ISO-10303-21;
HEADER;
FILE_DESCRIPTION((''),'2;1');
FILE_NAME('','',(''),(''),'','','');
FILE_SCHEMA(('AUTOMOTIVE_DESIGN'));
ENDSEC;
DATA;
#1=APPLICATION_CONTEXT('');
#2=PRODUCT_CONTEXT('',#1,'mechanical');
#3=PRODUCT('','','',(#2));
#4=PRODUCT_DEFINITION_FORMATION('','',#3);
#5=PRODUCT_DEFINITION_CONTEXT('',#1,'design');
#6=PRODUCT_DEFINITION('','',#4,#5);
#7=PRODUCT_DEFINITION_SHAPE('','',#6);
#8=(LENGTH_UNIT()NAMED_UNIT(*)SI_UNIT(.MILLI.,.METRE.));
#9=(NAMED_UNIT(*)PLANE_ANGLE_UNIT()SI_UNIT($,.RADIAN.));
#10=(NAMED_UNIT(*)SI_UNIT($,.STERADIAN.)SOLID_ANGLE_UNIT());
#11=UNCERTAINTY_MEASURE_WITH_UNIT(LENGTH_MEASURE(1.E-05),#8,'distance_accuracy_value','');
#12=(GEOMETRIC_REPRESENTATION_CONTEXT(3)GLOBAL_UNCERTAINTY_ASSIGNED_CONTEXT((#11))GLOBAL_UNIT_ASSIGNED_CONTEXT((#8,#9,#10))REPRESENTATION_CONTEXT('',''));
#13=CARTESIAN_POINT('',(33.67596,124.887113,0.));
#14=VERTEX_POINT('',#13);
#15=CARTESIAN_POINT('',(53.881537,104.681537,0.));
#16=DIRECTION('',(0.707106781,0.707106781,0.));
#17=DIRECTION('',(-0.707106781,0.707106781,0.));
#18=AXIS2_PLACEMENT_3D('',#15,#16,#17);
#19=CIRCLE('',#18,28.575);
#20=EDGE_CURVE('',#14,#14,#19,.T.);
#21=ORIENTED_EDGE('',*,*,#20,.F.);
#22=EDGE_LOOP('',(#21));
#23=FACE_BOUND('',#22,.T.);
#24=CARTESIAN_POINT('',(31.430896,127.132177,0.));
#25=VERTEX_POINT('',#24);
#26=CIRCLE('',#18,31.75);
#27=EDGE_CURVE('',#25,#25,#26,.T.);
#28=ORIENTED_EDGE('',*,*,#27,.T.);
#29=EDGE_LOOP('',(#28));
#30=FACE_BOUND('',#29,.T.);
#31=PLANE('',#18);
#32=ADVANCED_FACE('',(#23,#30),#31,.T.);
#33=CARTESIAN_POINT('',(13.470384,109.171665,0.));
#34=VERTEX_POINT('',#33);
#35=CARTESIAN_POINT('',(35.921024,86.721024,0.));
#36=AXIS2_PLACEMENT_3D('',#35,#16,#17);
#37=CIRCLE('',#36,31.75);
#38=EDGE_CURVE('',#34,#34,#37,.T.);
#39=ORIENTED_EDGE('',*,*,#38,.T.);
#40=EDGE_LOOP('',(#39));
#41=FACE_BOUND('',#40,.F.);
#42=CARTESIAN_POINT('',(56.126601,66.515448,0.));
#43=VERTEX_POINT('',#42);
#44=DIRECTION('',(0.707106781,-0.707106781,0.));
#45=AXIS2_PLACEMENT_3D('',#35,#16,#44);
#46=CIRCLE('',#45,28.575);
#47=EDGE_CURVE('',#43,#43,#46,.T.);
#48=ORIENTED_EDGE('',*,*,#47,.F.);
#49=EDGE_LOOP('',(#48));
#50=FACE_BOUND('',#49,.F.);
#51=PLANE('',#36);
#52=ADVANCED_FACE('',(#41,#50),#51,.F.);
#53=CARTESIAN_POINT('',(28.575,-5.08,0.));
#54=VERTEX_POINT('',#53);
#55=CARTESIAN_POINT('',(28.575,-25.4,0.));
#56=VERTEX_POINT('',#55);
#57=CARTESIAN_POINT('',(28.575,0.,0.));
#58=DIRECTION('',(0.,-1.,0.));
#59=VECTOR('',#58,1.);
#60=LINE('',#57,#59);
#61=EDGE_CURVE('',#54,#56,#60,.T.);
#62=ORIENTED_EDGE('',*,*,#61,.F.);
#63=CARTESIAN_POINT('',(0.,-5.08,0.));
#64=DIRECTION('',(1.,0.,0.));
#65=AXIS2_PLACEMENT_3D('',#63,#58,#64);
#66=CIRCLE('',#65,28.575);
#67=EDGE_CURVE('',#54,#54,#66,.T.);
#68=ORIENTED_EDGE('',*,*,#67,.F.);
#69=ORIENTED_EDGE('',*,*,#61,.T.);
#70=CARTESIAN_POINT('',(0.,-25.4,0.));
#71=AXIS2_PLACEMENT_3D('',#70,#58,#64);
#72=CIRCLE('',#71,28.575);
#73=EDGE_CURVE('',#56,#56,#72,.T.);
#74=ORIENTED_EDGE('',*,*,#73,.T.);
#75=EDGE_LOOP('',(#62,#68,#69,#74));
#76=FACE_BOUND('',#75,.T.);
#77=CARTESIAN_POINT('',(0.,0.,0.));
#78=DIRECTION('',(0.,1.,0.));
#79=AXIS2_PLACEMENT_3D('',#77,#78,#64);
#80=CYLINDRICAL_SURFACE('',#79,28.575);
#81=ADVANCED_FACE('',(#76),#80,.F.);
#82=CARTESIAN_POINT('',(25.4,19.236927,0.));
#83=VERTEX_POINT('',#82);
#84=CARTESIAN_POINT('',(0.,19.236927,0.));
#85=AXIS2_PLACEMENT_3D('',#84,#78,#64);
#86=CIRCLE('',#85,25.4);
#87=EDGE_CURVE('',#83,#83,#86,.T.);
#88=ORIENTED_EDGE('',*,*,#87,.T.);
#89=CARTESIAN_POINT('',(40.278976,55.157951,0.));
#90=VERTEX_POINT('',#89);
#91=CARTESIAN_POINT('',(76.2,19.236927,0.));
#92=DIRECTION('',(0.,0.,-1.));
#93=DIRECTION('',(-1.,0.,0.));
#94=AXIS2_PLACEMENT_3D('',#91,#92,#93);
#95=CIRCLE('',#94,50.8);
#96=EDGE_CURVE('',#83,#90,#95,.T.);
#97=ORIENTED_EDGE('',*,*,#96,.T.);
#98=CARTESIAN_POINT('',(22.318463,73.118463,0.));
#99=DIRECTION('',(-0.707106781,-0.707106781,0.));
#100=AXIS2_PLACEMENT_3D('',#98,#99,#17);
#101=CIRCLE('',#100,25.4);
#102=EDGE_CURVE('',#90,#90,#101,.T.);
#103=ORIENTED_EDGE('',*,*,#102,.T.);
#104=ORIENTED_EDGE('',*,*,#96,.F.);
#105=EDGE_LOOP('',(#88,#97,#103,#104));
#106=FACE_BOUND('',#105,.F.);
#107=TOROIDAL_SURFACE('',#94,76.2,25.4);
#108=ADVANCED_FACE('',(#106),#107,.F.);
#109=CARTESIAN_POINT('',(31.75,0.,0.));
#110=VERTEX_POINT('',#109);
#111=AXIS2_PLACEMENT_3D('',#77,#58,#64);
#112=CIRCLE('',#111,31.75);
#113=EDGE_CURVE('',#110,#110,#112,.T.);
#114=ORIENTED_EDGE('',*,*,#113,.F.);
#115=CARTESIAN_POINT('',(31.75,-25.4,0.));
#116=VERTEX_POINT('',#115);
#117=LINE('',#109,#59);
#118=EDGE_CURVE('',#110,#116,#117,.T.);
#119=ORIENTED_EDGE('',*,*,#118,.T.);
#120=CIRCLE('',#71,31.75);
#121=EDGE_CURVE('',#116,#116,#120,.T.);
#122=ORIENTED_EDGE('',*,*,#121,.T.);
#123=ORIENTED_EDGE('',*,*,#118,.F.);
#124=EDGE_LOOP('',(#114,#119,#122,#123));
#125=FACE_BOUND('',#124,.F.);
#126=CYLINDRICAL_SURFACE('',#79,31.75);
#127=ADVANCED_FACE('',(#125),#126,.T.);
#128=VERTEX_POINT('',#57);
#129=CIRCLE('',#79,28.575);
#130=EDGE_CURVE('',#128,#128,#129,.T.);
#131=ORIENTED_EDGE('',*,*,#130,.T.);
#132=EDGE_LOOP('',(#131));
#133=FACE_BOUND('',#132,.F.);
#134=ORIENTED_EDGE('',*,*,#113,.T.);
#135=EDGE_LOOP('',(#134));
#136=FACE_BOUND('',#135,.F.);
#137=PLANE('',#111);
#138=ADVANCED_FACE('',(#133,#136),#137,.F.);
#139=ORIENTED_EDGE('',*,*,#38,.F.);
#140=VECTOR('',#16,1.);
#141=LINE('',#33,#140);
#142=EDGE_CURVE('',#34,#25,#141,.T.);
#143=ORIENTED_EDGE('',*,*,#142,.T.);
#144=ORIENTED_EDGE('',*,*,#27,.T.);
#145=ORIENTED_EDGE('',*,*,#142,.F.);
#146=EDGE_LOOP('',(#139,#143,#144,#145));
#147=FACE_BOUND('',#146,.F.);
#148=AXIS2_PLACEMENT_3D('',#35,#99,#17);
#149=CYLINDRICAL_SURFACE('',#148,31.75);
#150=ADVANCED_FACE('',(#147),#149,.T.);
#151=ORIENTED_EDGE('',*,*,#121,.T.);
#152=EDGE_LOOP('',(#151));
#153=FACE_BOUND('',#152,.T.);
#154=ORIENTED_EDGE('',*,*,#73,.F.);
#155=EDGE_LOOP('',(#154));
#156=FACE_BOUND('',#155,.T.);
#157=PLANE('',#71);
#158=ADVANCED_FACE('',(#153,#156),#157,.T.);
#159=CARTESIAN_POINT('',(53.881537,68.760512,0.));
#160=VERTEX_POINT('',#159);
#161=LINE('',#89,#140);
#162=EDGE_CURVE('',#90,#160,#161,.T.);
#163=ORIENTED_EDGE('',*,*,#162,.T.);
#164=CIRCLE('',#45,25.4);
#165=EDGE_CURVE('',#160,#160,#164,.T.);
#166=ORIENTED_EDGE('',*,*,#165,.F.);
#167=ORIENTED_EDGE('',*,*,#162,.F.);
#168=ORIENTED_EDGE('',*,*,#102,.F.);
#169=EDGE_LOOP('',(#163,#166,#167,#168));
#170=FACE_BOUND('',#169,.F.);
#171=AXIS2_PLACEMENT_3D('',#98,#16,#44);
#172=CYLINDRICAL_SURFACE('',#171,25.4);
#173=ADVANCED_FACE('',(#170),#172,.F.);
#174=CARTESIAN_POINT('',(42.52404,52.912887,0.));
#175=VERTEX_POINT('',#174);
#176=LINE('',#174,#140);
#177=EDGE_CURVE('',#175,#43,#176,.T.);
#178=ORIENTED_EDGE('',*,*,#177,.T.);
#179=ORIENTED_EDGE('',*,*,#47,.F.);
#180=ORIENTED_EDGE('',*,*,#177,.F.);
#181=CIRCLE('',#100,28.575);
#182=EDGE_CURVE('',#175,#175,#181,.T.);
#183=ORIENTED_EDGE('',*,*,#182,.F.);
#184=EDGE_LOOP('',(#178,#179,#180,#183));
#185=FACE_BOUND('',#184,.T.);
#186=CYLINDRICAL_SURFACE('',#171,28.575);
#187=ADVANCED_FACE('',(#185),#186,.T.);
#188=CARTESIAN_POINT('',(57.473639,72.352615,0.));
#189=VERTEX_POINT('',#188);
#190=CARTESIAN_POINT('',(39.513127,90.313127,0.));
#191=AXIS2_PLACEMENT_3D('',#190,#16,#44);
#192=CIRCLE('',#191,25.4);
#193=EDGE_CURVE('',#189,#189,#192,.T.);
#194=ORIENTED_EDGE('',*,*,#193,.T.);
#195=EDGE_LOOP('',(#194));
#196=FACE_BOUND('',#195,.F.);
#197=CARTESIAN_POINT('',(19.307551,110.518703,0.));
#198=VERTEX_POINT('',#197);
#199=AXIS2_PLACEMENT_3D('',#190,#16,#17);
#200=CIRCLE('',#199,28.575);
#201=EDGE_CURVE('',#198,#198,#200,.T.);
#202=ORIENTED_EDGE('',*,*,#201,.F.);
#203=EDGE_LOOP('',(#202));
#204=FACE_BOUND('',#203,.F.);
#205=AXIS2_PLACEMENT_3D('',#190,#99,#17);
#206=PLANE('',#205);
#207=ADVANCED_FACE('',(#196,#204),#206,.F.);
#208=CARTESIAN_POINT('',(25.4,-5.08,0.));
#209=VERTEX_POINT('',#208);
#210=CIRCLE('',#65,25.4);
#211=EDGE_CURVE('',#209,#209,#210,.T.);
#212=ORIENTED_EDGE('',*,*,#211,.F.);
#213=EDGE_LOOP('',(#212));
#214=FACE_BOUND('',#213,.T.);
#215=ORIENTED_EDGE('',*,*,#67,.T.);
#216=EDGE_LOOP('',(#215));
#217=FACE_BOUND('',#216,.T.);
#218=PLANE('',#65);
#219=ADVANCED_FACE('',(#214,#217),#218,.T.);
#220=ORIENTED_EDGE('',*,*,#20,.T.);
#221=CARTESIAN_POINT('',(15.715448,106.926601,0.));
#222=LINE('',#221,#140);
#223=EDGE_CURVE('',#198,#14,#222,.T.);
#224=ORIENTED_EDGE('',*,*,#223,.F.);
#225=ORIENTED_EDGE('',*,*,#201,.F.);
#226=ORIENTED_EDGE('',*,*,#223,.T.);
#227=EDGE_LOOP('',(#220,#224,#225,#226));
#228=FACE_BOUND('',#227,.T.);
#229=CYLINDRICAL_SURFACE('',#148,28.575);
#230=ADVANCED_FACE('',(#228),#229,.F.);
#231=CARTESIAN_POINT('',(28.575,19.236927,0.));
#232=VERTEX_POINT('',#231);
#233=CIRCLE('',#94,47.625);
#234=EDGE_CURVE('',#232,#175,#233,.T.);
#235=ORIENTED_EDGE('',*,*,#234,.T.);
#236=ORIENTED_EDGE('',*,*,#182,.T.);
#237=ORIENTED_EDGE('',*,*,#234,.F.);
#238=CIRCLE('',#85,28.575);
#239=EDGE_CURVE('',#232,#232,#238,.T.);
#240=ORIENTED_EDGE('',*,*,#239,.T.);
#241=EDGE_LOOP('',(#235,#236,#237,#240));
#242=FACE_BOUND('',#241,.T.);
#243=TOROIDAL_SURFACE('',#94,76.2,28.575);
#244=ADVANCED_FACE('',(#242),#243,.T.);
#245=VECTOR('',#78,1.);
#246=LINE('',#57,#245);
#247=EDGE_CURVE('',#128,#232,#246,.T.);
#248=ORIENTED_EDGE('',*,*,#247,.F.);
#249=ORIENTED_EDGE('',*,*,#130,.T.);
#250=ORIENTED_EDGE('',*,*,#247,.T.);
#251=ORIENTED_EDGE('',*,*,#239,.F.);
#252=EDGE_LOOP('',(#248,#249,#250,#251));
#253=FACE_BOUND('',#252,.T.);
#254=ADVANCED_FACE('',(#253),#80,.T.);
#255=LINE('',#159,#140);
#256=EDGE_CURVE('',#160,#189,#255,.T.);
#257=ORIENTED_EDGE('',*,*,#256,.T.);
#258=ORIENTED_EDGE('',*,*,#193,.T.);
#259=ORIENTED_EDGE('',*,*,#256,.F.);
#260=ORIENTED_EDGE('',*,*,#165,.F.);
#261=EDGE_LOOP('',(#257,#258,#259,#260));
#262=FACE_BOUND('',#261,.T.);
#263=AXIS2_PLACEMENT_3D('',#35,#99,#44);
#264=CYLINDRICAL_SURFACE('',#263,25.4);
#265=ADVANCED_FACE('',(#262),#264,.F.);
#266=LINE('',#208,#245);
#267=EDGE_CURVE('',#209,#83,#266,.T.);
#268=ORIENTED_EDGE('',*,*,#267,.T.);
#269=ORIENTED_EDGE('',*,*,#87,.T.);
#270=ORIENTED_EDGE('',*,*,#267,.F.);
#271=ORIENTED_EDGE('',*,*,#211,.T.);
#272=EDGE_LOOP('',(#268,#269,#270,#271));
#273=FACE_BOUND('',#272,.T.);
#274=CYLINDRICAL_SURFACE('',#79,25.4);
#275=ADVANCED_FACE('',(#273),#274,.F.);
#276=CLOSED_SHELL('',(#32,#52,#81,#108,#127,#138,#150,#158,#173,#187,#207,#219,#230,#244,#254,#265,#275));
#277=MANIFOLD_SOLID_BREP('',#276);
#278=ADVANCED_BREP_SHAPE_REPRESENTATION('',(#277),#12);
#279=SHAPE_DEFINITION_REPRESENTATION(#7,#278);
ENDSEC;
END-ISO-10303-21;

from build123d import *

# Parameters (mm, degrees)
F0_R     = 28.575
F0_R_2   = 25.4
F3_DEPTH = 5.08
F0_R_3   = 31.75
F4_DEPTH = 25.4
F5_R     = 31.75
F5_R_2   = 28.575
F6_DEPTH = 25.4
F7_DEPTH = 5.08


with BuildPart() as f2:
    # F2: sweep along a path in F1
    with BuildLine(Plane.XY) as f2_path:
        Line((0, 0), (0, 19.2369265472))
        ThreePointArc((0, 19.2369265472), (5.8003796226, 48.3974040934), (22.3184632736, 73.1184632736))
        Line((22.3184632736, 73.1184632736), (35.9210244843, 86.7210244843))
    # F0 (on Front) → F2 (sweep)
    with BuildSketch(Plane.XZ):
        Circle(F0_R)
        Circle(F0_R_2, mode=Mode.SUBTRACT)
    sweep(path=f2_path.line)

    # F0 (on Front) → F3 (join)
    with BuildSketch(Plane.XZ):
        Circle(F0_R)
        Circle(F0_R_2, mode=Mode.SUBTRACT)
    extrude(amount=F3_DEPTH)

    # F0 (on Front) → F4 (join)
    with BuildSketch(Plane.XZ):
        Circle(F0_R_3)
        Circle(F0_R, mode=Mode.SUBTRACT)
    extrude(amount=F4_DEPTH)

    # F5 (on face) → F6 (join)
    with BuildSketch(Plane(origin=(61.3210244843, 61.3210244843, 0), x_dir=(-0.7071067812, 0.7071067812, 0), z_dir=(0.7071067812, 0.7071067812, 0))):
        with Locations((35.9210244843, 0)):
            Circle(F5_R)
        with Locations((35.9210244843, 0)):
            Circle(F5_R_2, mode=Mode.SUBTRACT)
    extrude(amount=F6_DEPTH)

    # F7 (add): a face of the model
    f7_faces = [f2.faces().sort_by_distance(p)[0] for p in [
        (35.9210244843, 86.7210244843, -27.7667769491),
    ]]
    extrude(f7_faces, amount=F7_DEPTH)


solid = f2.part
